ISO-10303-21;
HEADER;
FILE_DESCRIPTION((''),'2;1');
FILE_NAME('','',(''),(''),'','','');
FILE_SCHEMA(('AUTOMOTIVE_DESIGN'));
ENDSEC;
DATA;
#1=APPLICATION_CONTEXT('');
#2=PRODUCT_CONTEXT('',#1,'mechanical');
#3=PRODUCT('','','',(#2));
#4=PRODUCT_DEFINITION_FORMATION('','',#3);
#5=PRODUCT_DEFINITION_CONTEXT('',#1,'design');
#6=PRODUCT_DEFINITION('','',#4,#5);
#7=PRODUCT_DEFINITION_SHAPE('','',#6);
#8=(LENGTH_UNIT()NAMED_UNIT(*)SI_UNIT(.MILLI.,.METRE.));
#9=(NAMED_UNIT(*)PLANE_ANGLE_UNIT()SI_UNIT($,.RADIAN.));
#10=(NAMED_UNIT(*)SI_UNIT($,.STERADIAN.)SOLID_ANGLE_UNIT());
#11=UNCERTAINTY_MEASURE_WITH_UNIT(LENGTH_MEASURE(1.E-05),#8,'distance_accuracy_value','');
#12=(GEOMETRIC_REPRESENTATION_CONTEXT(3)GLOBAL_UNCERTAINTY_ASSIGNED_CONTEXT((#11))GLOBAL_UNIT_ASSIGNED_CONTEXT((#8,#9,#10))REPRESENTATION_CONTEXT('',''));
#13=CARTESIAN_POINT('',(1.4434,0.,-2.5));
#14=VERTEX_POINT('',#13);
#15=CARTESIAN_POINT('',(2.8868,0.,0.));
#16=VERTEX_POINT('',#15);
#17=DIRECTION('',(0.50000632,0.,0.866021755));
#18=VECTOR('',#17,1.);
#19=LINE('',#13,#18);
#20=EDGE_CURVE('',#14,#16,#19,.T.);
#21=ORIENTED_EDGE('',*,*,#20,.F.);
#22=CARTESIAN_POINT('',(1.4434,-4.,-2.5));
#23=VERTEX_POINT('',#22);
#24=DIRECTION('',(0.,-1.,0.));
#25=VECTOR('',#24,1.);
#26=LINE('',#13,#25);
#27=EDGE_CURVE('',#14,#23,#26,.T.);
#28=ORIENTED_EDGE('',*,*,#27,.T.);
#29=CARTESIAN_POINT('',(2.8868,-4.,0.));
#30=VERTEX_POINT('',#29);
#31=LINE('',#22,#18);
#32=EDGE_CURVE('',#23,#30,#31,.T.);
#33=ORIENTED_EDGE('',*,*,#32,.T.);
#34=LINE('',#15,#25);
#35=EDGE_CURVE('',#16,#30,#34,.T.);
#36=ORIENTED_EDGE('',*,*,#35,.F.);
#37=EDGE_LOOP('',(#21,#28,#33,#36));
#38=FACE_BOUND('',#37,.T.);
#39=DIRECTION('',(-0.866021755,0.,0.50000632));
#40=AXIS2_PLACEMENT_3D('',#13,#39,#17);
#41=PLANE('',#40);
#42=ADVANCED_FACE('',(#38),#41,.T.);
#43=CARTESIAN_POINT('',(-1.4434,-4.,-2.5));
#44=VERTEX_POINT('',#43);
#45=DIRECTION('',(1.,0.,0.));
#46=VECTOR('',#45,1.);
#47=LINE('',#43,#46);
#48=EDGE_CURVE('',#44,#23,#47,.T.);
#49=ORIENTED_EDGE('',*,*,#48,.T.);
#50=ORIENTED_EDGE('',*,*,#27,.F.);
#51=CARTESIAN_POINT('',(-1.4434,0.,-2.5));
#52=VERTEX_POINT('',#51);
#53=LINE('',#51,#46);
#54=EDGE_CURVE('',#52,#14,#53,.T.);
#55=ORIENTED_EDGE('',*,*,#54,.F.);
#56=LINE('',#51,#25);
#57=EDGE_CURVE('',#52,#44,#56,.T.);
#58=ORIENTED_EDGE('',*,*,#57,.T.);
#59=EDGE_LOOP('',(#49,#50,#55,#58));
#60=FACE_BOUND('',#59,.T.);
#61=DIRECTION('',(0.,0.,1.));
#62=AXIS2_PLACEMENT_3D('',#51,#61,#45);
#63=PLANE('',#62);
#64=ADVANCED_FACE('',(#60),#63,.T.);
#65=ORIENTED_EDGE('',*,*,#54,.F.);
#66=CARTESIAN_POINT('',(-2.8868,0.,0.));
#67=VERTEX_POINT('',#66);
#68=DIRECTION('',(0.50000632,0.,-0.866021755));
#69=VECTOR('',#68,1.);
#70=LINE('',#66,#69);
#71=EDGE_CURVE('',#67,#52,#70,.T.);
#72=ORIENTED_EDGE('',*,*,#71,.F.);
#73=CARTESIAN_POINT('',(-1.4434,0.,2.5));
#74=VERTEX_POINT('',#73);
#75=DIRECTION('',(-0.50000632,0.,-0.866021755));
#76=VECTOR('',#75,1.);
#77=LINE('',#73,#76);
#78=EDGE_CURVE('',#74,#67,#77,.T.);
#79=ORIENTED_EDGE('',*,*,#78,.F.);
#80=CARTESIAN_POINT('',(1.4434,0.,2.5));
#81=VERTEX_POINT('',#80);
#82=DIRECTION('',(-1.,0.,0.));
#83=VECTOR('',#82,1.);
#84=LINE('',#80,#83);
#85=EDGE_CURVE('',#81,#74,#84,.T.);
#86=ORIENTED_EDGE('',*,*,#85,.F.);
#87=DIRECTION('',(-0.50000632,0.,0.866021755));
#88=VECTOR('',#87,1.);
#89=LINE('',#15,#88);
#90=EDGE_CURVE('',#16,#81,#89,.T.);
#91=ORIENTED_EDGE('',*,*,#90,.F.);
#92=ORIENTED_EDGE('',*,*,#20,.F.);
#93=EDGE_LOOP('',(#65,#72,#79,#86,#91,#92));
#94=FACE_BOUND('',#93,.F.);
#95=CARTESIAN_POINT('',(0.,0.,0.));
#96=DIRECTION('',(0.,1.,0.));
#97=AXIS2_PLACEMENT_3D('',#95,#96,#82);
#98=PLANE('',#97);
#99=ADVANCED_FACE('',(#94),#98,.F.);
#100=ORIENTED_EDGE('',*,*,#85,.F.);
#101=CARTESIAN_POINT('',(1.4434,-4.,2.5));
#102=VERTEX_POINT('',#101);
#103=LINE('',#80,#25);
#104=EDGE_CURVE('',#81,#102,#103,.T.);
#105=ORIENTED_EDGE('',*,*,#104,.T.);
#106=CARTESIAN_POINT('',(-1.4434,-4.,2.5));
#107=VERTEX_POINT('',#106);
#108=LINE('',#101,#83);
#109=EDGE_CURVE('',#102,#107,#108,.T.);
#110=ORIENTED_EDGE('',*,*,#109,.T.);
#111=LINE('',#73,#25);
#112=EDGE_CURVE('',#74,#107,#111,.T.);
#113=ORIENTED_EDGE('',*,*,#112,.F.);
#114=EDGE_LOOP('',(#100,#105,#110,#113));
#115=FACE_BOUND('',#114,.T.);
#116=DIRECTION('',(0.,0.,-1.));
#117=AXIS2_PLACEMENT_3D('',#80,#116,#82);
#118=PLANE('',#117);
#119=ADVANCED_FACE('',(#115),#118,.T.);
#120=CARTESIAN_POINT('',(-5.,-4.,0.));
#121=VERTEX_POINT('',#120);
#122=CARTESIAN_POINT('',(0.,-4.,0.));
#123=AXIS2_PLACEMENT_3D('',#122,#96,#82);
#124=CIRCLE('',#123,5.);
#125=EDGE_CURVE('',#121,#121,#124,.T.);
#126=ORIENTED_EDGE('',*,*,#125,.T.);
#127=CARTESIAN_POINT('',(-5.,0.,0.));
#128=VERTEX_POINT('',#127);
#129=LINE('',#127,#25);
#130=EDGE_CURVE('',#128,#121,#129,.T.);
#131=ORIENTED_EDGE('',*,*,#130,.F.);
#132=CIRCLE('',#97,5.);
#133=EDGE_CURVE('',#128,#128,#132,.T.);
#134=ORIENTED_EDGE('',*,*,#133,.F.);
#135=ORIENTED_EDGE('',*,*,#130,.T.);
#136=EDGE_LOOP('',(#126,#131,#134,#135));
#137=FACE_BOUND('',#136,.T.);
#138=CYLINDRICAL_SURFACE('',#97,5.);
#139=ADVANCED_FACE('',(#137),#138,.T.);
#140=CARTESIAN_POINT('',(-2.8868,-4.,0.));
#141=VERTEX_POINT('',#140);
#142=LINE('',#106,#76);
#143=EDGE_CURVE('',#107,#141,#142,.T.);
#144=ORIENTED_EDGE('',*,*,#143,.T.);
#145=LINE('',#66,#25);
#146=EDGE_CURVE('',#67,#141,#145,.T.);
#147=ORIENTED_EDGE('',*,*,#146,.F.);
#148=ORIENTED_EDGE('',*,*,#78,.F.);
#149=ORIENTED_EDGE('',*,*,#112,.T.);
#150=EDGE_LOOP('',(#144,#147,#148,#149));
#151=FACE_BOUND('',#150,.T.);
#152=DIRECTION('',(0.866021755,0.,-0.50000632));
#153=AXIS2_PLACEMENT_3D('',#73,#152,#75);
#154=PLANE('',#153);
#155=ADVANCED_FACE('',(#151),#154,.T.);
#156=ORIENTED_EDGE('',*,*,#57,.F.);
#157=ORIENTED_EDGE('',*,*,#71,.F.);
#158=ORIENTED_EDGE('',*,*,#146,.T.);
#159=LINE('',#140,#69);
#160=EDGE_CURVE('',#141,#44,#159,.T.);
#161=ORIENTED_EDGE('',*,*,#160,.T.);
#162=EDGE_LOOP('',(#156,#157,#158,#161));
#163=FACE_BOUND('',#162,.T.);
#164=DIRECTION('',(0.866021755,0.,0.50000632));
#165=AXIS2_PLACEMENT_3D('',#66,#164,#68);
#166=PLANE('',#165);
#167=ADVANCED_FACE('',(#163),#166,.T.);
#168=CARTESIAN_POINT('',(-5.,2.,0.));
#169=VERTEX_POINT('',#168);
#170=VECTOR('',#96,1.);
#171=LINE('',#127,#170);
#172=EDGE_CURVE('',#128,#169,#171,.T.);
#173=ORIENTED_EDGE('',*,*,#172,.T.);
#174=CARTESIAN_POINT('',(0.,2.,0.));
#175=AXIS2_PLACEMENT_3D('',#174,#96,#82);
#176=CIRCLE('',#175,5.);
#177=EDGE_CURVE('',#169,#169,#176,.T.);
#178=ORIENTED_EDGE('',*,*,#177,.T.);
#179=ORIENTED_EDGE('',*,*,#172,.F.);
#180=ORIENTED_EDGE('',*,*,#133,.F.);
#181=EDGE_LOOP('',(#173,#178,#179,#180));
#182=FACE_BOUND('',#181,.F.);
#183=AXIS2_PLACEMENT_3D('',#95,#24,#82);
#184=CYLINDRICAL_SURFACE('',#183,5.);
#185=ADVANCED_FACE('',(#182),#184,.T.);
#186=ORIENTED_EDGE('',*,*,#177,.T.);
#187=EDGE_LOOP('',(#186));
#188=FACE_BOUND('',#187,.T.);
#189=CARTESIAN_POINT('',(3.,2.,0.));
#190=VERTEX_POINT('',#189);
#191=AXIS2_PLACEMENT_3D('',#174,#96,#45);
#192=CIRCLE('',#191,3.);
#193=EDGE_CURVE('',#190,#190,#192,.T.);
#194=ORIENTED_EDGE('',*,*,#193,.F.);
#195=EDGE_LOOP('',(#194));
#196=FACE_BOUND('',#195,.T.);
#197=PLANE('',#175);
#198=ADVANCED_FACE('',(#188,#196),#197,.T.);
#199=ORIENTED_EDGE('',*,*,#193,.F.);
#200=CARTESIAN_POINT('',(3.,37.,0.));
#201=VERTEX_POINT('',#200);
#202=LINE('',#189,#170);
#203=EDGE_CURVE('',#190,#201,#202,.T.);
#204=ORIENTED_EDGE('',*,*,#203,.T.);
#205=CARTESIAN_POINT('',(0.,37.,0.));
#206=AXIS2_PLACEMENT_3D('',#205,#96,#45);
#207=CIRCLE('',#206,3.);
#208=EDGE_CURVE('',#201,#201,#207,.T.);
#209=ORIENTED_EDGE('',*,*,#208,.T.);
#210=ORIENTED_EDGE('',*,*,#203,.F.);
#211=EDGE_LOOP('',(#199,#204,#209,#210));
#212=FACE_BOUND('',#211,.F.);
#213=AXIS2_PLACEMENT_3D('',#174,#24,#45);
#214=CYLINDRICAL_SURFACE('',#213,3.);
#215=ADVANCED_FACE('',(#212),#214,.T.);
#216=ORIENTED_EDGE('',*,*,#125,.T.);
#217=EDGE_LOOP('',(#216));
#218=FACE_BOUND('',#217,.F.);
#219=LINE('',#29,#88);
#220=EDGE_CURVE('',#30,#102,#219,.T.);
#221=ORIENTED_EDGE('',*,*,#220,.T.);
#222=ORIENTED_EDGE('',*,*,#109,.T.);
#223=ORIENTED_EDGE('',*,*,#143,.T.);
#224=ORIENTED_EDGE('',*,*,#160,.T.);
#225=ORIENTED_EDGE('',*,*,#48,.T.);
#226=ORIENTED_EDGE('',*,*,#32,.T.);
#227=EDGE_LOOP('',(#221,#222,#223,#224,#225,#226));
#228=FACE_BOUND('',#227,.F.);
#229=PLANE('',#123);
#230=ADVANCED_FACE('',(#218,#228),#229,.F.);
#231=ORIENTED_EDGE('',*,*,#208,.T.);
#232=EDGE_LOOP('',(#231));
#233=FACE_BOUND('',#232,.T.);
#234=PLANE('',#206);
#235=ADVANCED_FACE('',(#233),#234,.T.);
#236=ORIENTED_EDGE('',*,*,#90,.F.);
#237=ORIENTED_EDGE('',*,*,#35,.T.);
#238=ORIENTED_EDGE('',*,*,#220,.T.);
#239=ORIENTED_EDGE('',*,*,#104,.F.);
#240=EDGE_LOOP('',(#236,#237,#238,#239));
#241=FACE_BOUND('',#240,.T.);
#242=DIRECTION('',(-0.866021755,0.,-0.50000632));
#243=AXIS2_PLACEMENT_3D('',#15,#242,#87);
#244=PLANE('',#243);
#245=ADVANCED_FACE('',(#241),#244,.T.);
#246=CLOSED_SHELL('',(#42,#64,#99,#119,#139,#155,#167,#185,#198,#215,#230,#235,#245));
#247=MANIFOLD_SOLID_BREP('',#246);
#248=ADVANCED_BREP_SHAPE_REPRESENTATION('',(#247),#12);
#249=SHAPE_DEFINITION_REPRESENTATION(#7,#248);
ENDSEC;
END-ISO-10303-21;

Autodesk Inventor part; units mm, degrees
ref_plane "YZ Plane" through (0, 0, 0) normal (1, 0, 0) x (0, 1, 0)
ref_plane "XZ Plane" through (0, 0, 0) normal (0, 1, 0) x (-1, 0, 0)
ref_plane "XY Plane" through (0, 0, 0) normal (0, 0, 1) x (1, 0, 0)
sketch "Szkic1" plane through (0, 0, 0) normal (0, 1, 0) x (-1, 0, 0)
  circle A0 centre (0, 0) radius 5
  line L0 (1.4434, 2.5) -> (2.8868, 0)
  line L1 (2.8868, 0) -> (1.4434, -2.5)
  line L2 (1.4434, -2.5) -> (-1.4434, -2.5)
  line L3 (-1.4434, -2.5) -> (-2.8868, 0)
  line L4 (-2.8868, 0) -> (-1.4434, 2.5)
  line L5 (-1.4434, 2.5) -> (1.4434, 2.5)
  circle A1 centre (0, 0) radius 3
  dimension "d0" = 10
  dimension "d1" = 5
  dimension "d2" = 6
extrude "Wyciągnięcie proste1" add sketch "Szkic1" along normal blind 2 contours A0 | L0 L1 L2 L3 L4 L5 | A1
extrude "Wyciągnięcie proste2" add sketch "Szkic1" against normal blind 4 contours A0 | A1
sketch "Szkic2" plane through (0, 2, 0) normal (0, 1, 0) x (1, 0, 0)
  circle A0 centre (0, 0) radius 3
  dimension "d7" = 6
extrude "Wyciągnięcie proste3" add sketch "Szkic2" along normal blind 35
thread "Gwint1" size "M6x1" class "6g" standard "ANSI Metric M Profile" length 65
properties part number "M6x35"
